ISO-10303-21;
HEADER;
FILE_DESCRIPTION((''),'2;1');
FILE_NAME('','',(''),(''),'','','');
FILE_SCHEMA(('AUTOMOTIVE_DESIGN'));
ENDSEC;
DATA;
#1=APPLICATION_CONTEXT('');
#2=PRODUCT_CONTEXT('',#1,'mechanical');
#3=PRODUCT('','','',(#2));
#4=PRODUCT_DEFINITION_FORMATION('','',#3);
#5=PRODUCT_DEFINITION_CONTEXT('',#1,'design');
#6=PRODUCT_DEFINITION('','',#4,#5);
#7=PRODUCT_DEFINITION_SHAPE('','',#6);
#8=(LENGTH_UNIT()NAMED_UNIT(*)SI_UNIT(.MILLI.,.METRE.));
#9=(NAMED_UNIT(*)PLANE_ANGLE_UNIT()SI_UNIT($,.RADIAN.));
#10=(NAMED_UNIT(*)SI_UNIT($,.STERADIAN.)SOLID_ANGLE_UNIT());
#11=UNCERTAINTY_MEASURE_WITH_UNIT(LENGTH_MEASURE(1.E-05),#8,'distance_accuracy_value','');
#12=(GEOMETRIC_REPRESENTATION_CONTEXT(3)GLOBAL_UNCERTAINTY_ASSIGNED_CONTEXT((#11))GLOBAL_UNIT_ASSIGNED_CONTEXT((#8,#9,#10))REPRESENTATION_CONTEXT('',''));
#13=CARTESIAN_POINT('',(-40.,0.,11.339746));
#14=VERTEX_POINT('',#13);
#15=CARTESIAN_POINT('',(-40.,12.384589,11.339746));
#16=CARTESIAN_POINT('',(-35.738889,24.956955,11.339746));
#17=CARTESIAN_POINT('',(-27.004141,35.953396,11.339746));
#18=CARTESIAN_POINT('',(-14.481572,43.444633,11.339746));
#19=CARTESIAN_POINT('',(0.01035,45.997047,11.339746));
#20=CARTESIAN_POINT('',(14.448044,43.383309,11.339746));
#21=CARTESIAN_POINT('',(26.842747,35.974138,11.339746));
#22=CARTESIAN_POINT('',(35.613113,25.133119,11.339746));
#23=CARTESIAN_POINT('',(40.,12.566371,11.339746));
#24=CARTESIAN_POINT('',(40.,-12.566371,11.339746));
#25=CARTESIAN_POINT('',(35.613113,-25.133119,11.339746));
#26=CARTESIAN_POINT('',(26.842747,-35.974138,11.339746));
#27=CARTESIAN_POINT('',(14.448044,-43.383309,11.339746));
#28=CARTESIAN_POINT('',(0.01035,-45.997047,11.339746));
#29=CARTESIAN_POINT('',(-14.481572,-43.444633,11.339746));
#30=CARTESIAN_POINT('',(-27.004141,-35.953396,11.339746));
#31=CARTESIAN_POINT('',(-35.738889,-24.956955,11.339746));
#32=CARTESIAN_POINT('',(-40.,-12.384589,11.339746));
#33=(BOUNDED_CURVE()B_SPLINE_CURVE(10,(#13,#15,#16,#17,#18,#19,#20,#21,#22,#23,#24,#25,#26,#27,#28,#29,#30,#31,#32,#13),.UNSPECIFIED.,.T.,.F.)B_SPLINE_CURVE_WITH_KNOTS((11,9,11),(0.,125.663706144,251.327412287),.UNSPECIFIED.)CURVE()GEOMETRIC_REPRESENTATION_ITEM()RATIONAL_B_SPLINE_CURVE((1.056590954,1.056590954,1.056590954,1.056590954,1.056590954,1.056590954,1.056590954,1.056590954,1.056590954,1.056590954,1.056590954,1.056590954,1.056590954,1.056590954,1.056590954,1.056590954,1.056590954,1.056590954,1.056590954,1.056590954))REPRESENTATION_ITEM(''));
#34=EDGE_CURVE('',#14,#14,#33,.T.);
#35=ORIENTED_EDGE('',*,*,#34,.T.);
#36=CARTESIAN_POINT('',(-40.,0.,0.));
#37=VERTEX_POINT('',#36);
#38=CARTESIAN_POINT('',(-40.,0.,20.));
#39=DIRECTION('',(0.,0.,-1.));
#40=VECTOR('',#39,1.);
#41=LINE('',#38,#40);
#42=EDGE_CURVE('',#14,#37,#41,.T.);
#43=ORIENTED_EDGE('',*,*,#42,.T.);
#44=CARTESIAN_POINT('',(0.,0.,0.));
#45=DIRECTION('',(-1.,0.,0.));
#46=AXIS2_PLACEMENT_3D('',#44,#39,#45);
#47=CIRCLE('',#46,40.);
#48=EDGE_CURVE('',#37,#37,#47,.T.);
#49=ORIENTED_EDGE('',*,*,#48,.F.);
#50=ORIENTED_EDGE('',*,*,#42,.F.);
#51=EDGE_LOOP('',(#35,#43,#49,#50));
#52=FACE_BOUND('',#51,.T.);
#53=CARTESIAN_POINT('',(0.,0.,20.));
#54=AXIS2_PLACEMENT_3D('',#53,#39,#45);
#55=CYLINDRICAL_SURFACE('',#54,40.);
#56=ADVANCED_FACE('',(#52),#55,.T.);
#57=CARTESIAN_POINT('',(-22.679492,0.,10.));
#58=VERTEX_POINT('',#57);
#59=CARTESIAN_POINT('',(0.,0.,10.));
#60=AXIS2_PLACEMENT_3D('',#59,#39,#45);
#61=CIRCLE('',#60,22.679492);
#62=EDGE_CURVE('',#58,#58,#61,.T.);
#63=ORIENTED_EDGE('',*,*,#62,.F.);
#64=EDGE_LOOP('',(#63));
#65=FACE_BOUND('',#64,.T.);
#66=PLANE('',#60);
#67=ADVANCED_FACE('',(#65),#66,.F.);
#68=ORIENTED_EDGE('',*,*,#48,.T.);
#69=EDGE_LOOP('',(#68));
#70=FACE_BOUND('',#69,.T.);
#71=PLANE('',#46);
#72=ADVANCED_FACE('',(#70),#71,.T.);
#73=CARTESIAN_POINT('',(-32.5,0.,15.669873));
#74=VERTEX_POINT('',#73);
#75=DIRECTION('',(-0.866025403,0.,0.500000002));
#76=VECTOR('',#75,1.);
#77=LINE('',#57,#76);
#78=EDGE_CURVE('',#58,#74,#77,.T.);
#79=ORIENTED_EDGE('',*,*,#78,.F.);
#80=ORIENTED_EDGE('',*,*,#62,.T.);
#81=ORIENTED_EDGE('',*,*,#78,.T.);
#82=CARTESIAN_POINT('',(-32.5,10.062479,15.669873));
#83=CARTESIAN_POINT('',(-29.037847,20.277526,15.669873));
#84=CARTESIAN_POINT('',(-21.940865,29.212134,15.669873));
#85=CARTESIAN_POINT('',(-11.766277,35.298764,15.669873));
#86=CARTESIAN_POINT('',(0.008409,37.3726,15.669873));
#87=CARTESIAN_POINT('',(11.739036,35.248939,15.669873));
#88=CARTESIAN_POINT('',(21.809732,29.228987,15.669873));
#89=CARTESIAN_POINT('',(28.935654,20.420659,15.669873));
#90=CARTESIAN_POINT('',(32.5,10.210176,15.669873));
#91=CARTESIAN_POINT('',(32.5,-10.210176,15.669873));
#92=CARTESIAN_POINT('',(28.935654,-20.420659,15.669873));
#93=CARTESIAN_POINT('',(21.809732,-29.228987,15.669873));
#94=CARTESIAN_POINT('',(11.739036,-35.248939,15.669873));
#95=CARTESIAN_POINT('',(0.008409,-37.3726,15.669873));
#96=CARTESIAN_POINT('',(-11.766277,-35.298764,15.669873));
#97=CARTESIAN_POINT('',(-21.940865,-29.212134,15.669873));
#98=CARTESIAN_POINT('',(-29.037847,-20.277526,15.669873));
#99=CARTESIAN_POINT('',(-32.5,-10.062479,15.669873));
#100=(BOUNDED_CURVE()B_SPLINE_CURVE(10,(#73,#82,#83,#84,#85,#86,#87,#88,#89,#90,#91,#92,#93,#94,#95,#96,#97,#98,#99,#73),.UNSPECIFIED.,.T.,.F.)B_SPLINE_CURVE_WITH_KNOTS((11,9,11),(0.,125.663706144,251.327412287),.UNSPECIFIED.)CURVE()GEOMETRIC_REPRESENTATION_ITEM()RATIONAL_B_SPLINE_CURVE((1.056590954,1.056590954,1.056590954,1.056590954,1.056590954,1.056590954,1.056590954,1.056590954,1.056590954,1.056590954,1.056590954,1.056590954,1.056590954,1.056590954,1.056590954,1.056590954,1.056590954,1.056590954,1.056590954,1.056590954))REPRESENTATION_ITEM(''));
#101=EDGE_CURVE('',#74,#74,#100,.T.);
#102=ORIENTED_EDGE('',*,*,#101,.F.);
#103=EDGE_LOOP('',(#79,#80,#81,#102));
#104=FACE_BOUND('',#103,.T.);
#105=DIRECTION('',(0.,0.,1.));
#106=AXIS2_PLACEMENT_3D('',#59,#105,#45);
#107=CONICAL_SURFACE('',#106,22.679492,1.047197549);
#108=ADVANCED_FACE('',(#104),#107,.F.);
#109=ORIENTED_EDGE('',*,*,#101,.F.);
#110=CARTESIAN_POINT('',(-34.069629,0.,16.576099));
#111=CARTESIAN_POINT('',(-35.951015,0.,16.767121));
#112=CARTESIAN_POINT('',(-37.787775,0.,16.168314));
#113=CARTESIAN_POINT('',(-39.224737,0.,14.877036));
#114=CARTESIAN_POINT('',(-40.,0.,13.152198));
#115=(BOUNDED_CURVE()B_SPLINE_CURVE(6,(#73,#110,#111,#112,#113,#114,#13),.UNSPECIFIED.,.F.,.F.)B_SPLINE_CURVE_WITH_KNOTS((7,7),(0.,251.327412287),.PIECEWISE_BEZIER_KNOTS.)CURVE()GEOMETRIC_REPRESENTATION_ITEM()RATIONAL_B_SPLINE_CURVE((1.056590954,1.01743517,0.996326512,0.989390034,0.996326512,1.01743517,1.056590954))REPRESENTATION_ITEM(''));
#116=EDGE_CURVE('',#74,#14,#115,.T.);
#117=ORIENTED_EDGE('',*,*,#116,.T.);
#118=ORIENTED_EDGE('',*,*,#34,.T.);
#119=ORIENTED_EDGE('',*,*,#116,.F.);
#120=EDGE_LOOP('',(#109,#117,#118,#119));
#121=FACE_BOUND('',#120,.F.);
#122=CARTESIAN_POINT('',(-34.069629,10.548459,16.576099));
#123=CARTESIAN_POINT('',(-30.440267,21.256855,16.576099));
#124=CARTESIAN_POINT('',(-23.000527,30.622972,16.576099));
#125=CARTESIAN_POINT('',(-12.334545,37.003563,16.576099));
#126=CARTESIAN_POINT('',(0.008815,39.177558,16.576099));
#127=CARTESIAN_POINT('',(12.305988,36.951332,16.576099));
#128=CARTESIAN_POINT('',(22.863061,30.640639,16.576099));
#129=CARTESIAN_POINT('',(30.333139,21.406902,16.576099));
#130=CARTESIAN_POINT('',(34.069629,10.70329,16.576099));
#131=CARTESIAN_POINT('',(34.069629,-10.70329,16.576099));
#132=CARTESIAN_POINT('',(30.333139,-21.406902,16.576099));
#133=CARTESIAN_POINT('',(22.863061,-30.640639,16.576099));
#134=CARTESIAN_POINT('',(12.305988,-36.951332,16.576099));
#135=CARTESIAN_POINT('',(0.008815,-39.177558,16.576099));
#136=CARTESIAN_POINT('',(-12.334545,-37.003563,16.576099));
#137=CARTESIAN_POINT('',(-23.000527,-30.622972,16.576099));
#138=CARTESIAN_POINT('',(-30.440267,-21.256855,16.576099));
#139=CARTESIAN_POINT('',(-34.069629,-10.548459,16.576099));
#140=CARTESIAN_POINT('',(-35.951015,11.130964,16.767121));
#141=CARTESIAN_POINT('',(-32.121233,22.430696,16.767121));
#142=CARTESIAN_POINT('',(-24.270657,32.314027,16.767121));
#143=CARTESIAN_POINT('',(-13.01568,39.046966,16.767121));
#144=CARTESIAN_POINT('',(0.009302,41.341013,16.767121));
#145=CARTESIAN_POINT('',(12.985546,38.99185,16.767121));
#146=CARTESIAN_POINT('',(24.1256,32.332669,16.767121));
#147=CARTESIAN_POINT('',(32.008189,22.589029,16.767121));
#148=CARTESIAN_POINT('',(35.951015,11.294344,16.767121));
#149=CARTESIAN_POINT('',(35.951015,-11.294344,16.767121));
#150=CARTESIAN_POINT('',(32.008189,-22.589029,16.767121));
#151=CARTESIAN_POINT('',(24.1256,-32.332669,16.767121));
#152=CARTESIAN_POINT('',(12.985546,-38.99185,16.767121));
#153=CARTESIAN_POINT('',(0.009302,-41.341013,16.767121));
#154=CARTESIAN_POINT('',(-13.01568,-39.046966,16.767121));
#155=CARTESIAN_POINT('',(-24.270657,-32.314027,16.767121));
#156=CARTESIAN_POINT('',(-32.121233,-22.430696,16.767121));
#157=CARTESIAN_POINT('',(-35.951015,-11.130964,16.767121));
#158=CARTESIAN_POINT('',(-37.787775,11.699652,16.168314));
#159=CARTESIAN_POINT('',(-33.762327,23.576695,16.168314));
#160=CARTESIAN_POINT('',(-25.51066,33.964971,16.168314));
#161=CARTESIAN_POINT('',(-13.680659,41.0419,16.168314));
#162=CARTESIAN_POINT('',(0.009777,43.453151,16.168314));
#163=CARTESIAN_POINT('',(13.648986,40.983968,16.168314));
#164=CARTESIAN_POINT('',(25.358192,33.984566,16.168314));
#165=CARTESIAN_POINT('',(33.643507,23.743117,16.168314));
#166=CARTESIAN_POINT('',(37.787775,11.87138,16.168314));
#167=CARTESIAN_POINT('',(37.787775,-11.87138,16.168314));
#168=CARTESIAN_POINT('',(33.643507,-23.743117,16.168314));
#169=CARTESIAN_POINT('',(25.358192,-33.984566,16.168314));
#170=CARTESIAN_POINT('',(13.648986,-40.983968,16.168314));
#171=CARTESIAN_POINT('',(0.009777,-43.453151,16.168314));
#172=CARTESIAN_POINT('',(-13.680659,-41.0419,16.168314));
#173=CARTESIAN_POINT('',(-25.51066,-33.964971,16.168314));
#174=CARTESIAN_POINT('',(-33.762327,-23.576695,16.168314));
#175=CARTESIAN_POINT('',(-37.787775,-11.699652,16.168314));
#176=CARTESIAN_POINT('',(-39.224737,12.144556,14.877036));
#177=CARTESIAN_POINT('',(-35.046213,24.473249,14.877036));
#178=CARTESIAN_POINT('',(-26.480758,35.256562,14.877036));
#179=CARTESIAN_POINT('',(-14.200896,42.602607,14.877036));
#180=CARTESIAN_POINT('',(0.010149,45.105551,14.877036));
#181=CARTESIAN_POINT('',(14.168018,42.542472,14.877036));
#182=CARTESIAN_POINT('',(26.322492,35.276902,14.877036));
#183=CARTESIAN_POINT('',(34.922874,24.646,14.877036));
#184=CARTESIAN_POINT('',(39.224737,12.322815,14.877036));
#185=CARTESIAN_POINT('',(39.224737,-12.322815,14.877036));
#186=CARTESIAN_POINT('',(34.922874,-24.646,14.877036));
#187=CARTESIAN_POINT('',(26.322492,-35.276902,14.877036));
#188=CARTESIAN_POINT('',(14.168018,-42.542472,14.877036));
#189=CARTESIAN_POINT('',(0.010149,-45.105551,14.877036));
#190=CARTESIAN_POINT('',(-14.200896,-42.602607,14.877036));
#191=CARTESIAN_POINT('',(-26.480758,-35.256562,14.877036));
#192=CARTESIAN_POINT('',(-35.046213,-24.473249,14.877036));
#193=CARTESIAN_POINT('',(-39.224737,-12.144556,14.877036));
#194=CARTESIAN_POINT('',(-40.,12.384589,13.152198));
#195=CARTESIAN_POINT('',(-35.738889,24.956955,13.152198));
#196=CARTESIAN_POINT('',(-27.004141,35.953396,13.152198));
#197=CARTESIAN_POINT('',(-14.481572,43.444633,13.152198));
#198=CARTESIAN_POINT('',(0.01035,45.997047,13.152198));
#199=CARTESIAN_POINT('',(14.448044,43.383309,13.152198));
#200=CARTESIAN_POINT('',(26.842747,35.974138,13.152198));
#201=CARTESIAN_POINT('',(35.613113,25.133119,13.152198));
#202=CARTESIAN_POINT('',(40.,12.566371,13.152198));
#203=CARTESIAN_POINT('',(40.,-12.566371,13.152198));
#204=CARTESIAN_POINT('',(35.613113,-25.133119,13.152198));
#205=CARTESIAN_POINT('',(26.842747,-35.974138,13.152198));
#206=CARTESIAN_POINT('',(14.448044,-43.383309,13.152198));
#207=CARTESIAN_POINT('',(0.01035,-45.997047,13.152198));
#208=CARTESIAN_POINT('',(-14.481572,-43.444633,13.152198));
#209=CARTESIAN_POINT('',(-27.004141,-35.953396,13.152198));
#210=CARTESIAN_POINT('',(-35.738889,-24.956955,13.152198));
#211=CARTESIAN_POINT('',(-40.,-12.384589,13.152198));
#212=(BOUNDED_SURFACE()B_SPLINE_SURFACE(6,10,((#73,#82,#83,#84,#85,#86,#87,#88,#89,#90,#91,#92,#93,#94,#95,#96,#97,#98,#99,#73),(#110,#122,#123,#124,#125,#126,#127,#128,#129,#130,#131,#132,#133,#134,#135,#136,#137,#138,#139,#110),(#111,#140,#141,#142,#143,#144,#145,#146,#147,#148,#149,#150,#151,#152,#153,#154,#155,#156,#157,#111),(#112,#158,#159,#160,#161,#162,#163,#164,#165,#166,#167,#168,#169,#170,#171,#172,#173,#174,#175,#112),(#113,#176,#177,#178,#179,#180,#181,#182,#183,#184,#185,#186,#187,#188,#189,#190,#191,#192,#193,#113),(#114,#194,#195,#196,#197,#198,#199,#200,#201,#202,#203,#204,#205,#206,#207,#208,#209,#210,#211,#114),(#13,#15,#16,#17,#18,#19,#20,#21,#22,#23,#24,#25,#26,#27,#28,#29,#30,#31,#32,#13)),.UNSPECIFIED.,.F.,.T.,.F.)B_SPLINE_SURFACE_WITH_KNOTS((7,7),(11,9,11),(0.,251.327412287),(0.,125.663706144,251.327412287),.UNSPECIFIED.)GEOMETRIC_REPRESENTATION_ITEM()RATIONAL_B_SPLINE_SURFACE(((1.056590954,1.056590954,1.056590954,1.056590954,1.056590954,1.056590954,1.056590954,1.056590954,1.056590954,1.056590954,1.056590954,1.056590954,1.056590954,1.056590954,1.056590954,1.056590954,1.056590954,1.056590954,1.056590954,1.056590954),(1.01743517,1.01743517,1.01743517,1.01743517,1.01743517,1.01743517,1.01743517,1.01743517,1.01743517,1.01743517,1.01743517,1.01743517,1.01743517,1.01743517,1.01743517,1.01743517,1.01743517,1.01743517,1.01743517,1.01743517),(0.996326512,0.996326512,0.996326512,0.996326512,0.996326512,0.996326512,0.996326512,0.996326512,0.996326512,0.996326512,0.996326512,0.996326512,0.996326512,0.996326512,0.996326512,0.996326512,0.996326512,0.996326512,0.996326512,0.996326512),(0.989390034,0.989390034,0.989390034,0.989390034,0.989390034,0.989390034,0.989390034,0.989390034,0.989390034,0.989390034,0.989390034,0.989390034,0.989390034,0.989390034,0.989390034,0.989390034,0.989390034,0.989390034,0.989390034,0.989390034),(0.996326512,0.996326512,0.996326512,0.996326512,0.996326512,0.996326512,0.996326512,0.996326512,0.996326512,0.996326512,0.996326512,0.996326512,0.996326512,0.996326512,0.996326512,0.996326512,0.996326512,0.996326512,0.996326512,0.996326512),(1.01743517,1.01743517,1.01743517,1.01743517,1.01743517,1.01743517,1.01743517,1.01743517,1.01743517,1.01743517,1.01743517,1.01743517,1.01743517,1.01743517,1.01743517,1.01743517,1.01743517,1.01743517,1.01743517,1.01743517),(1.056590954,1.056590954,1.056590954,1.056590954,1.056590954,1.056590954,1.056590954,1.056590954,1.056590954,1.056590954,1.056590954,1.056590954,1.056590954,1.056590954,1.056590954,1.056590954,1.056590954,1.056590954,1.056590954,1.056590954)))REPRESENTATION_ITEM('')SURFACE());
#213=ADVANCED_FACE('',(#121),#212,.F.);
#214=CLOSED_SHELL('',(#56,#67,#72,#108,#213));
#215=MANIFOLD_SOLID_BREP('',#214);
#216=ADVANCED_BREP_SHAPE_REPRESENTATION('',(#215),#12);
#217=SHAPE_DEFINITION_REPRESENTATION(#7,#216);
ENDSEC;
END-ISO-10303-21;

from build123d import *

# Parameters (mm, degrees)
F2_R = 5


with BuildPart() as f1:
    # F0 (on Front) → F1 (revolve)
    with BuildSketch(Plane.XZ):
        Polygon((-40, 0), (0, 0), (0, 10), (-22.679492, 10), (-40, 20), align=None)
    revolve(axis=Axis((0, 0, 5), (0, 0, -1)))

    # F2
    f2_edges = [f1.edges().sort_by_distance(p)[0] for p in [
        (40, 0, 20),
    ]]
    fillet(f2_edges, radius=F2_R)


solid = f1.part
